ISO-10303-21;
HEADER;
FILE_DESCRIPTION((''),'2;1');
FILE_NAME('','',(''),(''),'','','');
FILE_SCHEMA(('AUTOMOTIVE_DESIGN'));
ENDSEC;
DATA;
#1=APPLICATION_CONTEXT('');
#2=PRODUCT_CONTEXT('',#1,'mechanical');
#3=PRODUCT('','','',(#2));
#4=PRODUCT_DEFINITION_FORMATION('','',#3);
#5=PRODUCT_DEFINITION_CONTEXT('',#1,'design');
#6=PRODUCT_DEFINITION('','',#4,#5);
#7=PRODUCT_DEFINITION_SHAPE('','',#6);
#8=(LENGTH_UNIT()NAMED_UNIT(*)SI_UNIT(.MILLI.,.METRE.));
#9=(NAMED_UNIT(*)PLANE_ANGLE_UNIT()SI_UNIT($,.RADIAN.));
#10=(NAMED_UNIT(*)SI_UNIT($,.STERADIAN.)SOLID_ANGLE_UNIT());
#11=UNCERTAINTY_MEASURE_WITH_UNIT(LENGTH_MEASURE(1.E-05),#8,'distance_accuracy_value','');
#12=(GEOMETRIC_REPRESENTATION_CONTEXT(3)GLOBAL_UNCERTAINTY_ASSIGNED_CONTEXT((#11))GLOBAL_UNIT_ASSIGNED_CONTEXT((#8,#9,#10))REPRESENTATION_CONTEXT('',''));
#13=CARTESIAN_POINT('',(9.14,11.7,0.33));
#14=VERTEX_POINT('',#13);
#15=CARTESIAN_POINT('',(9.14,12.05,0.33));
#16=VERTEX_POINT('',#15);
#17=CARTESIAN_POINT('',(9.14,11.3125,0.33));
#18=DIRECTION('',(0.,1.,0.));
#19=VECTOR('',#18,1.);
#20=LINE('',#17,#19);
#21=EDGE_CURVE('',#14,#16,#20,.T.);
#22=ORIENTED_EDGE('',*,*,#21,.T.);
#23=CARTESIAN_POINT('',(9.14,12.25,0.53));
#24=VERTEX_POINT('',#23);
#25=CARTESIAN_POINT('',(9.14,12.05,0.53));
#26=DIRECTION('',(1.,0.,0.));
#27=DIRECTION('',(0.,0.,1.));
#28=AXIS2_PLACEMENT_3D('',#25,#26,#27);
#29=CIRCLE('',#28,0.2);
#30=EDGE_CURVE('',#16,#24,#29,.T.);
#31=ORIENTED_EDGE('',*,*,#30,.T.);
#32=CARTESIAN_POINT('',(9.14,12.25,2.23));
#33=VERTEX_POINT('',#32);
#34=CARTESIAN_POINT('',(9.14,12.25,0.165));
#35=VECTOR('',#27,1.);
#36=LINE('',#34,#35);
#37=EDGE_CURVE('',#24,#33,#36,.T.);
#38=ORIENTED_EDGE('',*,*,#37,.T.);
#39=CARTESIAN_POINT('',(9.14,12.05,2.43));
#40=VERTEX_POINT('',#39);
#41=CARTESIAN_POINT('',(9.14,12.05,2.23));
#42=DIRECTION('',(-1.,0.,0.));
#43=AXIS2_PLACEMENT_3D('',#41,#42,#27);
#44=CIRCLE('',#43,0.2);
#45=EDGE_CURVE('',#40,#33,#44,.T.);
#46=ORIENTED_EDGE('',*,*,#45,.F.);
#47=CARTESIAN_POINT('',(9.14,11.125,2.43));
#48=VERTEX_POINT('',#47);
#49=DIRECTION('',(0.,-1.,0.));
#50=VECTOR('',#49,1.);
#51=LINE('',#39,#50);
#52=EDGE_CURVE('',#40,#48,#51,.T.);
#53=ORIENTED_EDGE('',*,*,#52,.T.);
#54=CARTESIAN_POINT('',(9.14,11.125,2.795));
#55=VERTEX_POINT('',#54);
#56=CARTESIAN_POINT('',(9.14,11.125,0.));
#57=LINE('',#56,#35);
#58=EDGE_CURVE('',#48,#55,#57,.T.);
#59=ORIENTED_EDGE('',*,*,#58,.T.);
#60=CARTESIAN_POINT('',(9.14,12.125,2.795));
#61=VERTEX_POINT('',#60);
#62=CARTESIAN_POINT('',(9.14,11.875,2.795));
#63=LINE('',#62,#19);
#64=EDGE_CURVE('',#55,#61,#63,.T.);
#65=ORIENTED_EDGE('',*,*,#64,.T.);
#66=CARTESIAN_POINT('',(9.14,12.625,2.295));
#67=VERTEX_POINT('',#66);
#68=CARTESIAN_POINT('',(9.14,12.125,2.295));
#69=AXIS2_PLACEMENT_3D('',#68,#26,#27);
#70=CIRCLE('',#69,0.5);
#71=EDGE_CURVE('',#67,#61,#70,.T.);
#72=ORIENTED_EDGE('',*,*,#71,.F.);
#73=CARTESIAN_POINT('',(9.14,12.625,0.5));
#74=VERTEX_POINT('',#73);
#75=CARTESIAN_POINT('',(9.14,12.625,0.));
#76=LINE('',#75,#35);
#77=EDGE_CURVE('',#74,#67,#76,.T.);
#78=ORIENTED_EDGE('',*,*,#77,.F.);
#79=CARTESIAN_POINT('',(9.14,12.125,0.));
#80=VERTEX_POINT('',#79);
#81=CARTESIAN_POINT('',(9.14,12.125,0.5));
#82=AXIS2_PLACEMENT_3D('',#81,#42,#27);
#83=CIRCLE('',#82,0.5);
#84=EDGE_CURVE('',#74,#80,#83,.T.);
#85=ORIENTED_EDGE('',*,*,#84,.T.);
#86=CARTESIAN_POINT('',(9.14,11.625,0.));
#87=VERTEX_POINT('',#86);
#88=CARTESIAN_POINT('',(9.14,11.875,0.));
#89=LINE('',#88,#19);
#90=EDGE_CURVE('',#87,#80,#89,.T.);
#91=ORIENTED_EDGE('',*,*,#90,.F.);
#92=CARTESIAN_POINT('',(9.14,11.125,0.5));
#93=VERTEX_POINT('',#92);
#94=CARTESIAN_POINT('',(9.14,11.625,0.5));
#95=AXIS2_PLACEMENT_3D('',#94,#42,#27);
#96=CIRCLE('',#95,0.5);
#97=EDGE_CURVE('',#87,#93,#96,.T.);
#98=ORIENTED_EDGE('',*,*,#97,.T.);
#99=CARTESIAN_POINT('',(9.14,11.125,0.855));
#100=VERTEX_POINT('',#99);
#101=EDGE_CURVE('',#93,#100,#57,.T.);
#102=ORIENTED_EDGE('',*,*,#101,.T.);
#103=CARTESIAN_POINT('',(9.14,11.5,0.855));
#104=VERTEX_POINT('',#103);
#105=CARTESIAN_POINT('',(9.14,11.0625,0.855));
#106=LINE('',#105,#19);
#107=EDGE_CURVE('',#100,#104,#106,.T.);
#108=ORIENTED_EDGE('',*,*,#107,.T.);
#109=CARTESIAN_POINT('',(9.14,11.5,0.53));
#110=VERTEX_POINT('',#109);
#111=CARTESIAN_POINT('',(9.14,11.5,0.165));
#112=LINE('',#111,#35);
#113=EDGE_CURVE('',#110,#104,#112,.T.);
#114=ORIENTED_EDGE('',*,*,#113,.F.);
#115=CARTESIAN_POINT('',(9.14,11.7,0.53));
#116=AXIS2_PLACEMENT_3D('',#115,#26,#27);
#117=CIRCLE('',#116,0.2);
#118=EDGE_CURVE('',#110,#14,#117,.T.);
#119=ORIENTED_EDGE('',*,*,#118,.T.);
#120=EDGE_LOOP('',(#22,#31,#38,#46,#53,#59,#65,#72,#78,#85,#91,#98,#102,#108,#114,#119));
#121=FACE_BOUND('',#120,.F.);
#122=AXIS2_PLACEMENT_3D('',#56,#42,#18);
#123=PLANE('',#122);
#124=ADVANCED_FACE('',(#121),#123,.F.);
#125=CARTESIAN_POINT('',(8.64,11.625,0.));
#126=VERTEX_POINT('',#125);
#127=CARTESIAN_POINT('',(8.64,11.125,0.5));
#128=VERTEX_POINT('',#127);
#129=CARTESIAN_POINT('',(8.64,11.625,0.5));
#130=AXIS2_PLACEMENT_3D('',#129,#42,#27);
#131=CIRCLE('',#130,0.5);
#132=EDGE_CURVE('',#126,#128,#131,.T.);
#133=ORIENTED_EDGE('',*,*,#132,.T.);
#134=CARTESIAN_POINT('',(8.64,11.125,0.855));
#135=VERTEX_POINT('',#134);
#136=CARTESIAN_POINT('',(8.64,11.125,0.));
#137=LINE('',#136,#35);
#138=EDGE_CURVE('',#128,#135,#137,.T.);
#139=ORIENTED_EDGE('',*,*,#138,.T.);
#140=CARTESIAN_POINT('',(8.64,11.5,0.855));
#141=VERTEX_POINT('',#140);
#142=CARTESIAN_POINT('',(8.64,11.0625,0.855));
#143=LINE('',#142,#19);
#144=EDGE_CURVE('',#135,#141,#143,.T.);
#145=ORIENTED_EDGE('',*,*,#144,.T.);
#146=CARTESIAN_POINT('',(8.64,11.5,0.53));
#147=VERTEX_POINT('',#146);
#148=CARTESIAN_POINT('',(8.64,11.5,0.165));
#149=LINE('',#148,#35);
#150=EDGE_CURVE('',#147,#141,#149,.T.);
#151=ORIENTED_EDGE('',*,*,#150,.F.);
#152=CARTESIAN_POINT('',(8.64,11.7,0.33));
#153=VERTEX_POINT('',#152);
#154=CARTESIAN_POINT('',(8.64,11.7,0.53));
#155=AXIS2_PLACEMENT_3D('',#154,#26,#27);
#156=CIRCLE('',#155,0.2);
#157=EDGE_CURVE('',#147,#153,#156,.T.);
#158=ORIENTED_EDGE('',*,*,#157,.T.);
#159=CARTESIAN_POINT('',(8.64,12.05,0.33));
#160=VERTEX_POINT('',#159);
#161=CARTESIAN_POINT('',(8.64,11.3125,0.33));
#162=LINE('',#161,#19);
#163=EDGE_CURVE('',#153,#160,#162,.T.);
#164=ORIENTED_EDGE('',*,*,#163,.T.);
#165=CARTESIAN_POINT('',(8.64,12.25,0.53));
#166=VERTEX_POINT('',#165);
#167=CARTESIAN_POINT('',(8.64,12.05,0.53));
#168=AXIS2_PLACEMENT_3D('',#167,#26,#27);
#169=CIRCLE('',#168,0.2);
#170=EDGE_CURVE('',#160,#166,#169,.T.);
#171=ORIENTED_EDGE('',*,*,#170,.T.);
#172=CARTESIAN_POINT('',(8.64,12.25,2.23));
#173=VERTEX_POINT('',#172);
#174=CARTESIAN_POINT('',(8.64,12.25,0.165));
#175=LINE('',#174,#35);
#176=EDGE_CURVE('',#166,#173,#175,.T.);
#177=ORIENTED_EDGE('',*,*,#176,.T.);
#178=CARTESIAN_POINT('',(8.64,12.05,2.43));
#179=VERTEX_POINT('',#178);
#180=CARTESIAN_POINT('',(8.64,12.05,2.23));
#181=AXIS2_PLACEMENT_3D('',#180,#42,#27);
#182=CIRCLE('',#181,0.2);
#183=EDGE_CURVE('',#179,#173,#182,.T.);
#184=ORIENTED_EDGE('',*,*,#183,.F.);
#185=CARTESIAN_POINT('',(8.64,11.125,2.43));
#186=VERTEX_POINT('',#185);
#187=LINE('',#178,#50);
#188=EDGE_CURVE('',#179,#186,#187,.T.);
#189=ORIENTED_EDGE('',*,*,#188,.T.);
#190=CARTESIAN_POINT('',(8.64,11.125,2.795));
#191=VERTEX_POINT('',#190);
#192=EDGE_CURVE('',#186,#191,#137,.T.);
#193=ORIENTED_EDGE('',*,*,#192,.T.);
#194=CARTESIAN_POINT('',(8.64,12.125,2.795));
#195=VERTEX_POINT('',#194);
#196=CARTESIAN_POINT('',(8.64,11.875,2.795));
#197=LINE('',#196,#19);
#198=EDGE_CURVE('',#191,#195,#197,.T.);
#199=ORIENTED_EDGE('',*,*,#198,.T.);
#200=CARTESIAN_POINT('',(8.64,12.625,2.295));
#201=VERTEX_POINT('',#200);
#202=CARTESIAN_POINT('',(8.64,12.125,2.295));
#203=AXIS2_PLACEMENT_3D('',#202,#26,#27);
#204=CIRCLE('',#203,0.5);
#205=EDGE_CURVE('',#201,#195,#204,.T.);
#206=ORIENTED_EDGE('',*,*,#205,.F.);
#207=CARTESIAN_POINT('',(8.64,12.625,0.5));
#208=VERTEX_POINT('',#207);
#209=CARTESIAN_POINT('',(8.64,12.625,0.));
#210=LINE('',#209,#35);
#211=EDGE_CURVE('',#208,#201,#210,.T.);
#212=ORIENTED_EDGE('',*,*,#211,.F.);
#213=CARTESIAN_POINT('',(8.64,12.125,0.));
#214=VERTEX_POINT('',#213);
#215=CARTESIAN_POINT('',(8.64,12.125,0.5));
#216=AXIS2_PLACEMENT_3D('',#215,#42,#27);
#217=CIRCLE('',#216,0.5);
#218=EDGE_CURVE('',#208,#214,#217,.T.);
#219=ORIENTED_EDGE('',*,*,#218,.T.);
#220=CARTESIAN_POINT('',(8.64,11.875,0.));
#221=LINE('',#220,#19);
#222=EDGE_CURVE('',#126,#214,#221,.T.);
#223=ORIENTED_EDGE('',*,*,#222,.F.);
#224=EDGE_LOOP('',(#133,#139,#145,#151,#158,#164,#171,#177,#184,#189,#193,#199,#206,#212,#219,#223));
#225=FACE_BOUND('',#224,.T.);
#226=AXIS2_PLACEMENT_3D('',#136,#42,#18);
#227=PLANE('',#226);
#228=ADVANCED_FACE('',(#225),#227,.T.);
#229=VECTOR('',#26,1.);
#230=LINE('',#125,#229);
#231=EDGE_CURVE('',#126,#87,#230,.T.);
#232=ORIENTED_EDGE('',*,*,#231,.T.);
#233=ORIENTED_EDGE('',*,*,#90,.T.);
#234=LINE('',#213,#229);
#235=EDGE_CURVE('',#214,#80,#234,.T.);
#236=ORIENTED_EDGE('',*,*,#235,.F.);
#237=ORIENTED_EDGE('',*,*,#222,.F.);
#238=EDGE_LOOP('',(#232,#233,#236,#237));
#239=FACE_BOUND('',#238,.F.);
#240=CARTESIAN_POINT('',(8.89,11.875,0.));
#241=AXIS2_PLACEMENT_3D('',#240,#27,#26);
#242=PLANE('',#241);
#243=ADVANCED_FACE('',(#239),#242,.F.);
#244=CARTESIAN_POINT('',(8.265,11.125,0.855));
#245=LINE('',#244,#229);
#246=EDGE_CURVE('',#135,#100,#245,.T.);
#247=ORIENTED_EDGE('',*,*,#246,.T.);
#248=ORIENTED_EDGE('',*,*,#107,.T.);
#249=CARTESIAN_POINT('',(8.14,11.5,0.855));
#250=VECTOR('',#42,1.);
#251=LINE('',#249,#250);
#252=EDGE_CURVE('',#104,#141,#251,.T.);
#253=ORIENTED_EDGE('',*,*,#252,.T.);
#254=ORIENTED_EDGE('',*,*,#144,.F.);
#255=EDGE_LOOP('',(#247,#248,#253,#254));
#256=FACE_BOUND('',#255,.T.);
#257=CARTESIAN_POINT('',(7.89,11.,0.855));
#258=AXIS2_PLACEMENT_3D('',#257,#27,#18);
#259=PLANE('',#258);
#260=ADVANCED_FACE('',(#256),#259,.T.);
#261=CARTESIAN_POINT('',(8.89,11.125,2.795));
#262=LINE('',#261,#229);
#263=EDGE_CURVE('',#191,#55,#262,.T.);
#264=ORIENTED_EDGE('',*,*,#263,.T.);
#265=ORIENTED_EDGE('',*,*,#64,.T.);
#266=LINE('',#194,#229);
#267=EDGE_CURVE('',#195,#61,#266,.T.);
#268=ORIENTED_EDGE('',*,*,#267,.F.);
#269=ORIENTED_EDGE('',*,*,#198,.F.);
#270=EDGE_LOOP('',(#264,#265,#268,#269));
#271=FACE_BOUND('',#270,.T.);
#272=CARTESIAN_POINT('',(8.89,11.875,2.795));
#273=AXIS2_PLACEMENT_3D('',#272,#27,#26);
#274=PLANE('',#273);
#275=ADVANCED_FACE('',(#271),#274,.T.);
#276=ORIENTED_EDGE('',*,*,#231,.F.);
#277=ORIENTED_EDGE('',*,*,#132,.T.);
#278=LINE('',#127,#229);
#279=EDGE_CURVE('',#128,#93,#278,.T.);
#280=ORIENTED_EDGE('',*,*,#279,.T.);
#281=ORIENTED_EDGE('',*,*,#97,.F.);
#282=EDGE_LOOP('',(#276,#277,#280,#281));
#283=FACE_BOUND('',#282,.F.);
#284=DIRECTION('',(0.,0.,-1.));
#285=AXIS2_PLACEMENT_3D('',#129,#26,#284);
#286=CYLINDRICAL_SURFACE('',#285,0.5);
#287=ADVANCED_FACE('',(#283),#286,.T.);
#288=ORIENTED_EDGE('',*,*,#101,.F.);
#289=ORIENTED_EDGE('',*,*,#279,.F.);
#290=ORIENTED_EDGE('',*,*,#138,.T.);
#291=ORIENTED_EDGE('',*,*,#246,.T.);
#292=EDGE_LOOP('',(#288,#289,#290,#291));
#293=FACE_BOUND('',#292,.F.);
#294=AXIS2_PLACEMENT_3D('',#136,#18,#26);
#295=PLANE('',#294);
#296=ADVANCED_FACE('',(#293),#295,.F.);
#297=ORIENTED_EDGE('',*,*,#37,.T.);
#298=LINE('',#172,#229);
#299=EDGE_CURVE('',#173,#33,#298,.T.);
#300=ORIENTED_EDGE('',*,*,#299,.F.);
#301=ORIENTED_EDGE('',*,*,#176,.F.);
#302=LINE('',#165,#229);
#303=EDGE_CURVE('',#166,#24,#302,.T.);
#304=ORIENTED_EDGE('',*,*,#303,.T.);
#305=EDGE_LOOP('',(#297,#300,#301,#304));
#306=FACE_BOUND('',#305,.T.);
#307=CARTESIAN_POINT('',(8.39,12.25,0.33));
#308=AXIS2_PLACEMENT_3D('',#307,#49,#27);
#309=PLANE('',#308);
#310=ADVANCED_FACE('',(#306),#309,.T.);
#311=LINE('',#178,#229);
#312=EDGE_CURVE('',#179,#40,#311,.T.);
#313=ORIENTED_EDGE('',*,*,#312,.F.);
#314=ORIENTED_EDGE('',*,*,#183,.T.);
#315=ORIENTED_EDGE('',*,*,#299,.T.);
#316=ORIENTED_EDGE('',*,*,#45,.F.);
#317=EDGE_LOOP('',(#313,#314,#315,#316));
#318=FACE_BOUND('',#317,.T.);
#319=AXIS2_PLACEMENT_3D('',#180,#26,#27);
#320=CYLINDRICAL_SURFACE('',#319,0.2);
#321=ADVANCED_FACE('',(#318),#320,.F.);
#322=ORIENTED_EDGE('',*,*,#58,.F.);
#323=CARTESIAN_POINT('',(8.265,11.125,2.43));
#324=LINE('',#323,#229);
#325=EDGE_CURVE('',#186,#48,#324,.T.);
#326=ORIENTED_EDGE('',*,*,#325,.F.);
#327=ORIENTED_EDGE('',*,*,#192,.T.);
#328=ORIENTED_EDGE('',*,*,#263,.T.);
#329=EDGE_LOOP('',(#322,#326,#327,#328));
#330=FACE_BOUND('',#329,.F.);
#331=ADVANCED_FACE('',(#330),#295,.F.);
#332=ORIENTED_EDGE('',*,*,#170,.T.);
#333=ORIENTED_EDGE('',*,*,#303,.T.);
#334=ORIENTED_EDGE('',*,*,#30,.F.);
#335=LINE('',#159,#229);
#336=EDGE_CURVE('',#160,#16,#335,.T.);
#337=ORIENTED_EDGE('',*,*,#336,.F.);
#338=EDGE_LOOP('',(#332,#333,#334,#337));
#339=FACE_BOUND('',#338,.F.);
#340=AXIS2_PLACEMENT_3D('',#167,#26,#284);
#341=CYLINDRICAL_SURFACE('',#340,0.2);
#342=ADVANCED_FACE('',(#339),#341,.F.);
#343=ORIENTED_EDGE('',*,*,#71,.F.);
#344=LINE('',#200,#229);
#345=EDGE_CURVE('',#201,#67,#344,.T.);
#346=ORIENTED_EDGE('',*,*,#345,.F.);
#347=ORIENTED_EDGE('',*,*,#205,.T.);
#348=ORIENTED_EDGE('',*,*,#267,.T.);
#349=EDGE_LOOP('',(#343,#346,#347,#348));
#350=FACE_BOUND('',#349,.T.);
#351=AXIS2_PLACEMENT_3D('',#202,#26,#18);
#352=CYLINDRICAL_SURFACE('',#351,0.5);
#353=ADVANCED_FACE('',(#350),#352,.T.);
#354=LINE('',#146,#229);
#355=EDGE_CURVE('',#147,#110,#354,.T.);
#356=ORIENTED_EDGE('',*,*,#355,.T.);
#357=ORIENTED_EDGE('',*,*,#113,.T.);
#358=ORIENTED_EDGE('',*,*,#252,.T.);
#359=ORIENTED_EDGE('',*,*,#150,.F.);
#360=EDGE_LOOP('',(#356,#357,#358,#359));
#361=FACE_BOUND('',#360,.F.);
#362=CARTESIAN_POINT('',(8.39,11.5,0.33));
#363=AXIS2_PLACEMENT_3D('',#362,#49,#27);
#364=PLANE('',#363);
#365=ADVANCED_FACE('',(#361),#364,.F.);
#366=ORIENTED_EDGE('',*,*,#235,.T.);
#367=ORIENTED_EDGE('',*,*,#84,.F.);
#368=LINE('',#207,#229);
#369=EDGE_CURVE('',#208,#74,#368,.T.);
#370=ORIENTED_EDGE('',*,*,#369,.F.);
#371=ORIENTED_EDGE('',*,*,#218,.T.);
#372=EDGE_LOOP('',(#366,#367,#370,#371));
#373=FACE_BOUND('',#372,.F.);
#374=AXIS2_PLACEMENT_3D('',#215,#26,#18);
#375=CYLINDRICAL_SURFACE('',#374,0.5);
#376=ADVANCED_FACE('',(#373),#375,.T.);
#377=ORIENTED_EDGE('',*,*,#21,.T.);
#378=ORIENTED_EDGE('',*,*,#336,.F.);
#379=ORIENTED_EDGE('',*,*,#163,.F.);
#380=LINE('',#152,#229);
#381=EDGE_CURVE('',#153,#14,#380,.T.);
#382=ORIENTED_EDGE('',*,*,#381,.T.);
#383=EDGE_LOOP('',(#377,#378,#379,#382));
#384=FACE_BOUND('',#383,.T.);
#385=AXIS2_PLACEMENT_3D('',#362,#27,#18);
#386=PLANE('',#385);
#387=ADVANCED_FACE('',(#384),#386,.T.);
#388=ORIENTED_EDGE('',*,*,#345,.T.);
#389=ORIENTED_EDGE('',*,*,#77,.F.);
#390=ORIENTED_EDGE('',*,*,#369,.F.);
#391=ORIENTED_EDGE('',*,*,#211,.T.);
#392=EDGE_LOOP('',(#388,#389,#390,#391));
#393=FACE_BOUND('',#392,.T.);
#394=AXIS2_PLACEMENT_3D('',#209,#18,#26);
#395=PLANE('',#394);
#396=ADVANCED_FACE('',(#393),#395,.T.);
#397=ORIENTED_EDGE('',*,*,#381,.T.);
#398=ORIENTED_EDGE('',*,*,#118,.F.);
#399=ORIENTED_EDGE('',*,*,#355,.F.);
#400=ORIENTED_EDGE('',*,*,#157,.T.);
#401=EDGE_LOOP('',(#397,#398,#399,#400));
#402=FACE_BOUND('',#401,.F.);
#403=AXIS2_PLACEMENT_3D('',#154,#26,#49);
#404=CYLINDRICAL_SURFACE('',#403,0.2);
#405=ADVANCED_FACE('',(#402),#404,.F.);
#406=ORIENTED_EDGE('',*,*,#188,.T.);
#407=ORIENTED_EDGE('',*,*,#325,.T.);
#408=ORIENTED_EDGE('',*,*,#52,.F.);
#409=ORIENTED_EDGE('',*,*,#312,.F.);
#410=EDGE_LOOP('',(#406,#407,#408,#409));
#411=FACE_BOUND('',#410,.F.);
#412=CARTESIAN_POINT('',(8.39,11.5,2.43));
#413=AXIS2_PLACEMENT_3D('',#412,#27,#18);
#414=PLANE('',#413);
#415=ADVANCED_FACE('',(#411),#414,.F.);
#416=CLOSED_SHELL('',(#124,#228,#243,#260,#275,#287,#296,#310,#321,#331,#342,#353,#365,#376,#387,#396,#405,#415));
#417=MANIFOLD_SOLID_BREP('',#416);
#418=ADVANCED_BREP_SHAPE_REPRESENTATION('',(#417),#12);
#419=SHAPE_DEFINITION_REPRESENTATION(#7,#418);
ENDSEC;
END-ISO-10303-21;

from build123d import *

# Parameters (mm, degrees)
BOX086_W     = 0.5
BOX086_H     = 1.5
BOX086_DEPTH = 2.795
FILLET218_R  = 0.5
FILLET150_R  = 0.5
FILLET233_R  = 0.5
BOX082_W     = 0.75
BOX082_H     = 2.1
BOX082_DEPTH = 1
FILLET230_R  = 0.2
FILLET191_R  = 0.2
FILLET225_R  = 0.2
FILLET227_R  = 0.2
BOX083_W     = 1
BOX083_H     = 1.575
BOX083_DEPTH = 3


with BuildPart() as part:
    # Box086 → Box086 (join)
    with BuildSketch(Plane(origin=(-0.25, 11.125, 0), x_dir=(1, 0, 0), z_dir=(0, 0, 1))):
        with Locations((0.25, 0.75)):
            Rectangle(BOX086_W, BOX086_H)
    extrude(amount=BOX086_DEPTH)

    # Fillet218
    fillet218_edges = [part.edges().sort_by_distance(p)[0] for p in [
        (0, 12.625, 0),
    ]]
    fillet(fillet218_edges, radius=FILLET218_R)

    # Fillet150
    fillet150_edges = [part.edges().sort_by_distance(p)[0] for p in [
        (0, 12.625, 2.795),
    ]]
    fillet(fillet150_edges, radius=FILLET150_R)

    # Fillet233
    fillet233_edges = [part.edges().sort_by_distance(p)[0] for p in [
        (0, 11.125, 0),
    ]]
    fillet(fillet233_edges, radius=FILLET233_R)

    # Box082 → Box082 (cut)
    with BuildSketch(Plane(origin=(-0.5, 11.5, 0.33), x_dir=(0, 1, 0), z_dir=(1, 0, 0))):
        with Locations((0.375, 1.05)):
            Rectangle(BOX082_W, BOX082_H)
    extrude(amount=BOX082_DEPTH, mode=Mode.SUBTRACT)

    # Fillet230
    fillet230_edges = [part.edges().sort_by_distance(p)[0] for p in [
        (0, 11.5, 0.33),
    ]]
    fillet(fillet230_edges, radius=FILLET230_R)

    # Fillet191
    fillet191_edges = [part.edges().sort_by_distance(p)[0] for p in [
        (0, 12.25, 0.33),
    ]]
    fillet(fillet191_edges, radius=FILLET191_R)

    # Fillet225
    fillet225_edges = [part.edges().sort_by_distance(p)[0] for p in [
        (0, 11.5, 2.43),
    ]]
    fillet(fillet225_edges, radius=FILLET225_R)

    # Fillet227
    fillet227_edges = [part.edges().sort_by_distance(p)[0] for p in [
        (0, 12.25, 2.43),
    ]]
    fillet(fillet227_edges, radius=FILLET227_R)

    # Box083 → Box083 (cut)
    with BuildSketch(Plane(origin=(-1, 11, 0.855), x_dir=(0, 1, 0), z_dir=(1, 0, 0))):
        with Locations((0.5, 0.7875)):
            Rectangle(BOX083_W, BOX083_H)
    extrude(amount=BOX083_DEPTH, mode=Mode.SUBTRACT)


with BuildPart() as part_1:
    # Body032 placement: moved
    add(part.part.moved(Location((8.89, 0, 0))))


solid = part_1.part
